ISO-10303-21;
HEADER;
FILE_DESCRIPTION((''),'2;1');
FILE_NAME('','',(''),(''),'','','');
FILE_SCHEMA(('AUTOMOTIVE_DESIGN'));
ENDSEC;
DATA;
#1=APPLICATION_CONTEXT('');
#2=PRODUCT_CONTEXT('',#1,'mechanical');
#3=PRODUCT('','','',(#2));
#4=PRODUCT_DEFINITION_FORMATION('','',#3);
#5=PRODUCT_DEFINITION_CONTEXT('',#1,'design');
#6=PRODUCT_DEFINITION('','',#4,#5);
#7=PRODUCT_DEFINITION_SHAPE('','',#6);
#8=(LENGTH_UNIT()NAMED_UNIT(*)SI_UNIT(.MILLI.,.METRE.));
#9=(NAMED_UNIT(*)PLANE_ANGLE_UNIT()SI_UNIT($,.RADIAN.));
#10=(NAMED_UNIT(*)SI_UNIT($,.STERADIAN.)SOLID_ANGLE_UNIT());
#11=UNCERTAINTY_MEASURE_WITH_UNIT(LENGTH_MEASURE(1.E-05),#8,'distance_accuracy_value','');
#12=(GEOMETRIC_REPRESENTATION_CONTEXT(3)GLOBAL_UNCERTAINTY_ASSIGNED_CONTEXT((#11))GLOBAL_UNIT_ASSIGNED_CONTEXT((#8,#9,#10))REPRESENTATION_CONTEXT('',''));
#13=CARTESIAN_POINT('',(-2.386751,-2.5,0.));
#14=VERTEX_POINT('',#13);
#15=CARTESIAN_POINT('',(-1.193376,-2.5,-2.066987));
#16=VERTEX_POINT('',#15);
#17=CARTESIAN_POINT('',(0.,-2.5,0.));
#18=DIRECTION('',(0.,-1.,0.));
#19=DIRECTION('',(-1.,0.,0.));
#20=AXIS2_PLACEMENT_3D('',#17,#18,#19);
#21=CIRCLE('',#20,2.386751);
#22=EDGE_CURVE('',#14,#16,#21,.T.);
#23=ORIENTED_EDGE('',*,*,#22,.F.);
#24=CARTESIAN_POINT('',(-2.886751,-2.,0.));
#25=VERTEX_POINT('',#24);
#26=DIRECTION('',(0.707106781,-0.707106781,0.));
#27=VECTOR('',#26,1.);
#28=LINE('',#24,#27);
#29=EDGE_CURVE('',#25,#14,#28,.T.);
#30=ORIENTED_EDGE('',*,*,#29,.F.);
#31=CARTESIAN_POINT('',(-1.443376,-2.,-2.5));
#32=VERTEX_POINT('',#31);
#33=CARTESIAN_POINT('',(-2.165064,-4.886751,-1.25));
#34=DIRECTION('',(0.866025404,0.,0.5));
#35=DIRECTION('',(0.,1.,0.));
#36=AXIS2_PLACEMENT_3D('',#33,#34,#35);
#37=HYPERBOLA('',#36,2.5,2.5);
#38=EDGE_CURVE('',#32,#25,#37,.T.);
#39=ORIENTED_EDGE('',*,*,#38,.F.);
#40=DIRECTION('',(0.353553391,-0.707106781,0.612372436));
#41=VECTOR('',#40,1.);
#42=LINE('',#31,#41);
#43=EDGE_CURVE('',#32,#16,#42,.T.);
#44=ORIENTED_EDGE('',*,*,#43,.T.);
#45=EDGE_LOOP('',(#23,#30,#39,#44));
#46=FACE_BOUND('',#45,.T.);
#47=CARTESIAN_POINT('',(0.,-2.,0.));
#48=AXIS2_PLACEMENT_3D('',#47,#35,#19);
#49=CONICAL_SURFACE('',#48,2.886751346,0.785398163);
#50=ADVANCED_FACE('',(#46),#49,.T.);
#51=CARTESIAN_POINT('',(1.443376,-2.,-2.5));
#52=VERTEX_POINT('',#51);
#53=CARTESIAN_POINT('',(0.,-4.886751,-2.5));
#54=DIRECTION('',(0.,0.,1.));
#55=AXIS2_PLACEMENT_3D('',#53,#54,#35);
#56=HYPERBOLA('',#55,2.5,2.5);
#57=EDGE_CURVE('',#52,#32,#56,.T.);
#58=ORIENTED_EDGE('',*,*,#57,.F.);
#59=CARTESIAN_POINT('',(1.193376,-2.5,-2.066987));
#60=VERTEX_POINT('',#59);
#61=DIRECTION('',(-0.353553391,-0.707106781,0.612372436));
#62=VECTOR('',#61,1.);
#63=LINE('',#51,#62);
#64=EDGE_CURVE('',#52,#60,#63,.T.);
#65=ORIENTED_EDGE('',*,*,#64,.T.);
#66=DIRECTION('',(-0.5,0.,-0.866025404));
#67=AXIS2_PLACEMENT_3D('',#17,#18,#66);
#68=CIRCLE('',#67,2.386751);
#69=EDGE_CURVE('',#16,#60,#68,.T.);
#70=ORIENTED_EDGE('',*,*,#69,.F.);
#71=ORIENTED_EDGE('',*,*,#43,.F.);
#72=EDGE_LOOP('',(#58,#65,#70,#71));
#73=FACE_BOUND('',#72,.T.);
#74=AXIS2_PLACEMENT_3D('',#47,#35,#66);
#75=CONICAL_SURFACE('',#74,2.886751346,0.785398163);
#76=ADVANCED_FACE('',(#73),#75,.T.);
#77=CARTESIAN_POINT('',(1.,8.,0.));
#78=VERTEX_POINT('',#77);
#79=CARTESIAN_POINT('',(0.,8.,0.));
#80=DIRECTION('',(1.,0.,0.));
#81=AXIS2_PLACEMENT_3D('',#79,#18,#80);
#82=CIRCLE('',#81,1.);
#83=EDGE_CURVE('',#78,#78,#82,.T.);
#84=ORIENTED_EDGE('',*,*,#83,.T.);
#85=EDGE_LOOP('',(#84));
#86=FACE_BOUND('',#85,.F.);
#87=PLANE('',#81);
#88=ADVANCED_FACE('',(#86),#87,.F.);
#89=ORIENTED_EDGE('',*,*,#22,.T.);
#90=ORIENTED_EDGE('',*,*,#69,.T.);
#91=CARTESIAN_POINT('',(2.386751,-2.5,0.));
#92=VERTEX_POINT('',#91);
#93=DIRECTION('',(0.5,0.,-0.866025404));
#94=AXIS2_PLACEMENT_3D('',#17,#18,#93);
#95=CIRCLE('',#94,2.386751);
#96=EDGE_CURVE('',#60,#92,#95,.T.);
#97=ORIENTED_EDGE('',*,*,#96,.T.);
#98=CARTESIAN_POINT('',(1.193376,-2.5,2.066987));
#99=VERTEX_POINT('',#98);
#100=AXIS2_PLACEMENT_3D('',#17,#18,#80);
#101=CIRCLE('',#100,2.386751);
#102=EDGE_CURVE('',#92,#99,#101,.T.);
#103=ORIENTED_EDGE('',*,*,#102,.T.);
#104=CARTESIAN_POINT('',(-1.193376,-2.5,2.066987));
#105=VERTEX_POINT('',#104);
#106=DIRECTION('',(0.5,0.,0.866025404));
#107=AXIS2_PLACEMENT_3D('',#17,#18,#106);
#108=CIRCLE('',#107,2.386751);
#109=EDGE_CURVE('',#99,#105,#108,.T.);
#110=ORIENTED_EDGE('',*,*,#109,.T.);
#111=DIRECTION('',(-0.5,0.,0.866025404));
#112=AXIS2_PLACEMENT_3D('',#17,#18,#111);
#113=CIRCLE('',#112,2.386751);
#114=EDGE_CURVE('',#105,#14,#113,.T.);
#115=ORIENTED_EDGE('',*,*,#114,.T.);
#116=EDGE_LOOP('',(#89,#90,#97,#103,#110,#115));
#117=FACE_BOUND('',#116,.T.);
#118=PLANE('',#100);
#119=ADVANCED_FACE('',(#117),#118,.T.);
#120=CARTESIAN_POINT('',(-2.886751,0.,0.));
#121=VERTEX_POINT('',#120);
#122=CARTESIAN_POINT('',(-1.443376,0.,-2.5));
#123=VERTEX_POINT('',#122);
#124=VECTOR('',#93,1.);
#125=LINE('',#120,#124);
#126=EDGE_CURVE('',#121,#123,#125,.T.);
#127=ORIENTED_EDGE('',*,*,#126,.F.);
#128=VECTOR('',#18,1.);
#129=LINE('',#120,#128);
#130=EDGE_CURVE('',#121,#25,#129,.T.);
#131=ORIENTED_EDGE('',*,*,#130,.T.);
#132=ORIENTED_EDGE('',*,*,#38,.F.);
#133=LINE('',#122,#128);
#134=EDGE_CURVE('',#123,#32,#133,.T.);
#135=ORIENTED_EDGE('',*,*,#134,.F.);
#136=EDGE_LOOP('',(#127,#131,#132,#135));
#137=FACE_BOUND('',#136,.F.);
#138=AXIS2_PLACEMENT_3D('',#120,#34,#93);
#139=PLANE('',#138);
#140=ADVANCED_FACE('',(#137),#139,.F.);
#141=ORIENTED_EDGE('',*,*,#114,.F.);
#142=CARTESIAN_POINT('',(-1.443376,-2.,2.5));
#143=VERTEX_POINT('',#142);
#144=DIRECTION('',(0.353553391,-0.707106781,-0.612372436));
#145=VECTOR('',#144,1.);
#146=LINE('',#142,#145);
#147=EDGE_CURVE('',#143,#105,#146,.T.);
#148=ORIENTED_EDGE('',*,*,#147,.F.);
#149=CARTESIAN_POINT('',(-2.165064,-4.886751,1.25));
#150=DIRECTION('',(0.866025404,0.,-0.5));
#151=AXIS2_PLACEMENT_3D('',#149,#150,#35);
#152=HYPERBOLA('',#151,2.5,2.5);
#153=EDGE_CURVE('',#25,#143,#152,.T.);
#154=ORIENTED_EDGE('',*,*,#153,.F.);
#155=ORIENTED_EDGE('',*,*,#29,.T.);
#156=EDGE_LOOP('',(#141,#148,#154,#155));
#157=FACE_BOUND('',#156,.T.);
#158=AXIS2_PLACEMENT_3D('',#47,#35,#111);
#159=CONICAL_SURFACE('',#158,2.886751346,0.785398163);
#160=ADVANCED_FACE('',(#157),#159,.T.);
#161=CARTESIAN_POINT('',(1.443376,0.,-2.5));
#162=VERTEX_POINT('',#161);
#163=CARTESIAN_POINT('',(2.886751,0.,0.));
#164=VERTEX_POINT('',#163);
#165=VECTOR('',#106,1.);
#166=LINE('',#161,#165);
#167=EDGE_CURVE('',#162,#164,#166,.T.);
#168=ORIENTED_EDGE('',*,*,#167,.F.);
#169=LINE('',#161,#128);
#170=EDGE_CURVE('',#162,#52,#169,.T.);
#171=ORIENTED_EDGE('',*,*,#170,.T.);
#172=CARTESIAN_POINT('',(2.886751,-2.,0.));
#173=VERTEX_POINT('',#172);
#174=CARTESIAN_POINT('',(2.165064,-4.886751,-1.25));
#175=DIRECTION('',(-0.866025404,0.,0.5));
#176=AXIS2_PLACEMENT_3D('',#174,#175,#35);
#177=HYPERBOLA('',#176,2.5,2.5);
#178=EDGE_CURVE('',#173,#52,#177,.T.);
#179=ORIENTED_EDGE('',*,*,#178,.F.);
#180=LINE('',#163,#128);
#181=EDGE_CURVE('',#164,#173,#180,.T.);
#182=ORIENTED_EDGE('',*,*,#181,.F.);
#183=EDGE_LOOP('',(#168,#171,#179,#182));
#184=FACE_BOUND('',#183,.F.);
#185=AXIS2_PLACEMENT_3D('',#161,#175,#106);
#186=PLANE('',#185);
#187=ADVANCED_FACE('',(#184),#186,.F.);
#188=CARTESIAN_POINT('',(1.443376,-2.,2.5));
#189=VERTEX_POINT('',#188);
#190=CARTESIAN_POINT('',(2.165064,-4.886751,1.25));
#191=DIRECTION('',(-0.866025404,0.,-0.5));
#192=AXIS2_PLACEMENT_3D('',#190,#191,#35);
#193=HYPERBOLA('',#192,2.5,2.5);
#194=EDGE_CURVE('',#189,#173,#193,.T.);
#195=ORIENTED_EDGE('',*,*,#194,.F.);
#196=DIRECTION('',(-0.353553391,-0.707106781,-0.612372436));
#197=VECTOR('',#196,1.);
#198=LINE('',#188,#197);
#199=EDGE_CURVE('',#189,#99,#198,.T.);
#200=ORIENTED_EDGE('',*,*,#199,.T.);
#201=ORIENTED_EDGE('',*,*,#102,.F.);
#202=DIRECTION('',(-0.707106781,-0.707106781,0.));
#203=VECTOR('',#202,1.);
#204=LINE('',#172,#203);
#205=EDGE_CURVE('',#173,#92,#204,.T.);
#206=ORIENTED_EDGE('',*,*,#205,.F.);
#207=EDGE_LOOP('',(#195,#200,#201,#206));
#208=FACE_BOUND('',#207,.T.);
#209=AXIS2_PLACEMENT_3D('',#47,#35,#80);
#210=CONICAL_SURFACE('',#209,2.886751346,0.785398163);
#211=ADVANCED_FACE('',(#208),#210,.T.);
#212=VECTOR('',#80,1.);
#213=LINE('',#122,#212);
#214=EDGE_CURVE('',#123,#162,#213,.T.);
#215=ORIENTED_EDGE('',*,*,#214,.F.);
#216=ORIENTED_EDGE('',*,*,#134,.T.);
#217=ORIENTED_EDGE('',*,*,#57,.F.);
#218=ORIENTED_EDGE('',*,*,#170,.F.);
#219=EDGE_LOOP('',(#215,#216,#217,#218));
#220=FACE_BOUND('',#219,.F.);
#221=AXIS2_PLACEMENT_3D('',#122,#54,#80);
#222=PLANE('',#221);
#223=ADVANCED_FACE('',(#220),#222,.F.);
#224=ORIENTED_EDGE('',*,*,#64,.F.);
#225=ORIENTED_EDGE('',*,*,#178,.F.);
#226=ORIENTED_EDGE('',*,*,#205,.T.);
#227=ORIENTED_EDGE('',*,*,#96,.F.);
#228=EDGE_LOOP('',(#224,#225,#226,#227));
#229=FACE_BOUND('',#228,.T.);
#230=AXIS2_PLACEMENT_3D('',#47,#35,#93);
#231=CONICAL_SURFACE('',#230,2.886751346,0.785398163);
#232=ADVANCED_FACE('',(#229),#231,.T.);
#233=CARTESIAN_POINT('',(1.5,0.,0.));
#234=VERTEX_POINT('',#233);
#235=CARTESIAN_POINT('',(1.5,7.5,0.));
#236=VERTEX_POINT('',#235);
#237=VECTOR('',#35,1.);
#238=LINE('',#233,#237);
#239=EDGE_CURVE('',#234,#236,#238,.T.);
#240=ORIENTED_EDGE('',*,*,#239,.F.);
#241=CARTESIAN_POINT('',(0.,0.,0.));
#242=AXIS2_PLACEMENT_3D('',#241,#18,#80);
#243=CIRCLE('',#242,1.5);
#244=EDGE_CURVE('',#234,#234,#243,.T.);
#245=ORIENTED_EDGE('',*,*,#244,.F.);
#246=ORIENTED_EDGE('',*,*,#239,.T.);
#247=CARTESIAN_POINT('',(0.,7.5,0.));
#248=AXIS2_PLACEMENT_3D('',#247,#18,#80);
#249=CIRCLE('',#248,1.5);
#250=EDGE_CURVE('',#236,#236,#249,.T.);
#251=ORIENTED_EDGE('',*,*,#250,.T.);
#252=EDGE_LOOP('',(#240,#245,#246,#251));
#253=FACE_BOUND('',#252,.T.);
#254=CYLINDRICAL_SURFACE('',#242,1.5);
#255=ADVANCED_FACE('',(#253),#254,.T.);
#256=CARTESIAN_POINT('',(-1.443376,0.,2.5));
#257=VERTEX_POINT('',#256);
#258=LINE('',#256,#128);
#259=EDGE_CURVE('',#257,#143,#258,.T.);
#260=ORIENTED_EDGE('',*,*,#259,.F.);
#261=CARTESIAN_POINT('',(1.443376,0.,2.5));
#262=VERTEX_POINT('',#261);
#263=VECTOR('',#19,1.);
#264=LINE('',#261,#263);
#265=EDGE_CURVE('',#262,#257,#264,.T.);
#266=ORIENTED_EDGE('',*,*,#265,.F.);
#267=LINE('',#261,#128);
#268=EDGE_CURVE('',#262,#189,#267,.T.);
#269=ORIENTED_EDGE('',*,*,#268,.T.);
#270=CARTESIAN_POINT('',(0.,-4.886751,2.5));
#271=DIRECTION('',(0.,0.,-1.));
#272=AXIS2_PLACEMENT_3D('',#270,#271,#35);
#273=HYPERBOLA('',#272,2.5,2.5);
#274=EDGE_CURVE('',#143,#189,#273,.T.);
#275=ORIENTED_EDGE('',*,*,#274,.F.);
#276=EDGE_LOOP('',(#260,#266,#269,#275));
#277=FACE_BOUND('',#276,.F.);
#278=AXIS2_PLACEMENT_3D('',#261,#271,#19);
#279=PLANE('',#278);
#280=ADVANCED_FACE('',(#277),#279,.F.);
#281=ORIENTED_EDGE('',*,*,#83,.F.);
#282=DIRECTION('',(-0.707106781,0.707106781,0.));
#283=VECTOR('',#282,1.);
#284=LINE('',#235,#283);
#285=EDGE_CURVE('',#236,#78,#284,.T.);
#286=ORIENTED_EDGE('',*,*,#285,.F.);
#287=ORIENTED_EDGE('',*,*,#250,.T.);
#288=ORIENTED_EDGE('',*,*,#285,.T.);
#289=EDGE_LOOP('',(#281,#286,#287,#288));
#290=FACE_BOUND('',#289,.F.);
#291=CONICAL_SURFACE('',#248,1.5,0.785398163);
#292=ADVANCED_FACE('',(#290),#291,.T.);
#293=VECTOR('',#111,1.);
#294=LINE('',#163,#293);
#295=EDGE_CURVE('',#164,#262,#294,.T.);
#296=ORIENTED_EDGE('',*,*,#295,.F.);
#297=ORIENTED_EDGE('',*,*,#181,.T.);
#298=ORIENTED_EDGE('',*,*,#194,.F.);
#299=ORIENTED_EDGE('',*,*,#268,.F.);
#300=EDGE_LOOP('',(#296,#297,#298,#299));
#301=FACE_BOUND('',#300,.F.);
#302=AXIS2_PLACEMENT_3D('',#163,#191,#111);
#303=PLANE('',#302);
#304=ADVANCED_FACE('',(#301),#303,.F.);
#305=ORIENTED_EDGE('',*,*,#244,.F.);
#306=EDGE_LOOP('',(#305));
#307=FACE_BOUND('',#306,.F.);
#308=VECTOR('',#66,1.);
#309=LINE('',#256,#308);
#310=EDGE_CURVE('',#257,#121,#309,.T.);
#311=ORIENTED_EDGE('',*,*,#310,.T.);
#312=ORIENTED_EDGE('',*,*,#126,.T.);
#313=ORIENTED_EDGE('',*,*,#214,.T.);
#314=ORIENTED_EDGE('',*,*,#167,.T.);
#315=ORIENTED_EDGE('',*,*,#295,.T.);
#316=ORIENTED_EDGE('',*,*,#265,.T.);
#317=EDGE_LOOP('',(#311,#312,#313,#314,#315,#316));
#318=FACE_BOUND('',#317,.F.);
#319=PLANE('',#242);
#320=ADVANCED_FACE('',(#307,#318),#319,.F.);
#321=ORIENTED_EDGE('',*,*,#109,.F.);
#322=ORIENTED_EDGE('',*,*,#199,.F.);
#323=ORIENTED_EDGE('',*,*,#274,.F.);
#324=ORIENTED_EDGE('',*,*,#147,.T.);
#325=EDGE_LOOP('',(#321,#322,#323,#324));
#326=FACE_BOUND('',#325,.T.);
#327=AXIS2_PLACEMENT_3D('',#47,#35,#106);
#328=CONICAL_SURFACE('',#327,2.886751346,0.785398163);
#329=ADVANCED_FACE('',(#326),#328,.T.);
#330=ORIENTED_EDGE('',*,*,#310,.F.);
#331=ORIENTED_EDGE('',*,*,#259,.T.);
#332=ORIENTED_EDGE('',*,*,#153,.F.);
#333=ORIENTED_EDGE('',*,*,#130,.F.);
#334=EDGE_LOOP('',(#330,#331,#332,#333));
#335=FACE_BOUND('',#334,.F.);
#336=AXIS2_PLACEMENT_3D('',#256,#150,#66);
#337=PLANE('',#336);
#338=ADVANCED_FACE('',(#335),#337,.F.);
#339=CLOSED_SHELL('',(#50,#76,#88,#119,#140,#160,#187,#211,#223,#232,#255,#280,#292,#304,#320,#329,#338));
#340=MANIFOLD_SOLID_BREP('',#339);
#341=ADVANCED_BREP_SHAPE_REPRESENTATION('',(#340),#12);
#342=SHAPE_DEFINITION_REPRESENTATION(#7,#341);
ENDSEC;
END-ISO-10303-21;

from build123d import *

# Parameters (mm, degrees)
F0_R     = 1.5
F1_DEPTH = 2.5
F2_SIZE  = 0.5
F3_DEPTH = 25
F4_DEPTH = 8
F5_SIZE  = 0.5


with BuildPart() as f1:
    # F0 (on Front) → F1 (new body)
    with BuildSketch(Plane.XZ):
        Polygon((1.443375673, 2.5), (-1.443375673, 2.5), (-2.8867513459, 0), (-1.443375673, -2.5), (1.443375673, -2.5), (2.8867513459, 0), align=None)
        Circle(F0_R, mode=Mode.SUBTRACT)
        Circle(F0_R)
        with BuildLine():
            ThreePointArc((2.8867513459, 0), (2.5, 1.443375673), (1.443375673, 2.5))
            Line((1.443375673, 2.5), (2.8867513459, 0))
        make_face()
        with BuildLine():
            ThreePointArc((1.443375673, 2.5), (0, 2.8867513459), (-1.443375673, 2.5))
            Line((-1.443375673, 2.5), (1.443375673, 2.5))
        make_face()
        with BuildLine():
            Line((1.443375673, -2.5), (-1.443375673, -2.5))
            ThreePointArc((-1.443375673, -2.5), (0, -2.8867513459), (1.443375673, -2.5))
        make_face()
        with BuildLine():
            ThreePointArc((1.443375673, -2.5), (2.5, -1.443375673), (2.8867513459, 0))
            Line((2.8867513459, 0), (1.443375673, -2.5))
        make_face()
        with BuildLine():
            Line((-1.443375673, -2.5), (-2.8867513459, 0))
            ThreePointArc((-2.8867513459, 0), (-2.5, -1.443375673), (-1.443375673, -2.5))
        make_face()
        with BuildLine():
            Line((-2.8867513459, 0), (-1.443375673, 2.5))
            ThreePointArc((-1.443375673, 2.5), (-2.5, 1.443375673), (-2.8867513459, 0))
        make_face()
    extrude(amount=F1_DEPTH)

    # F2
    f2_edges = [f1.edges().sort_by_distance(p)[0] for p in [
        (1.443376, -2.5, -2.5),
    ]]
    chamfer(f2_edges, length=F2_SIZE)

    # F0 (on Front) → F3 (intersect)
    with BuildSketch(Plane.XZ):
        Polygon((1.443375673, 2.5), (-1.443375673, 2.5), (-2.8867513459, 0), (-1.443375673, -2.5), (1.443375673, -2.5), (2.8867513459, 0), align=None)
        Circle(F0_R, mode=Mode.SUBTRACT)
        Circle(F0_R)
    extrude(amount=F3_DEPTH, mode=Mode.INTERSECT)

    # F0 (on Front) → F4 (join)
    with BuildSketch(Plane.XZ):
        Circle(F0_R)
    extrude(amount=-F4_DEPTH)

    # F5
    f5_edges = [f1.edges().sort_by_distance(p)[0] for p in [
        (-1.5, 8, 0),
    ]]
    chamfer(f5_edges, length=F5_SIZE)


solid = f1.part
